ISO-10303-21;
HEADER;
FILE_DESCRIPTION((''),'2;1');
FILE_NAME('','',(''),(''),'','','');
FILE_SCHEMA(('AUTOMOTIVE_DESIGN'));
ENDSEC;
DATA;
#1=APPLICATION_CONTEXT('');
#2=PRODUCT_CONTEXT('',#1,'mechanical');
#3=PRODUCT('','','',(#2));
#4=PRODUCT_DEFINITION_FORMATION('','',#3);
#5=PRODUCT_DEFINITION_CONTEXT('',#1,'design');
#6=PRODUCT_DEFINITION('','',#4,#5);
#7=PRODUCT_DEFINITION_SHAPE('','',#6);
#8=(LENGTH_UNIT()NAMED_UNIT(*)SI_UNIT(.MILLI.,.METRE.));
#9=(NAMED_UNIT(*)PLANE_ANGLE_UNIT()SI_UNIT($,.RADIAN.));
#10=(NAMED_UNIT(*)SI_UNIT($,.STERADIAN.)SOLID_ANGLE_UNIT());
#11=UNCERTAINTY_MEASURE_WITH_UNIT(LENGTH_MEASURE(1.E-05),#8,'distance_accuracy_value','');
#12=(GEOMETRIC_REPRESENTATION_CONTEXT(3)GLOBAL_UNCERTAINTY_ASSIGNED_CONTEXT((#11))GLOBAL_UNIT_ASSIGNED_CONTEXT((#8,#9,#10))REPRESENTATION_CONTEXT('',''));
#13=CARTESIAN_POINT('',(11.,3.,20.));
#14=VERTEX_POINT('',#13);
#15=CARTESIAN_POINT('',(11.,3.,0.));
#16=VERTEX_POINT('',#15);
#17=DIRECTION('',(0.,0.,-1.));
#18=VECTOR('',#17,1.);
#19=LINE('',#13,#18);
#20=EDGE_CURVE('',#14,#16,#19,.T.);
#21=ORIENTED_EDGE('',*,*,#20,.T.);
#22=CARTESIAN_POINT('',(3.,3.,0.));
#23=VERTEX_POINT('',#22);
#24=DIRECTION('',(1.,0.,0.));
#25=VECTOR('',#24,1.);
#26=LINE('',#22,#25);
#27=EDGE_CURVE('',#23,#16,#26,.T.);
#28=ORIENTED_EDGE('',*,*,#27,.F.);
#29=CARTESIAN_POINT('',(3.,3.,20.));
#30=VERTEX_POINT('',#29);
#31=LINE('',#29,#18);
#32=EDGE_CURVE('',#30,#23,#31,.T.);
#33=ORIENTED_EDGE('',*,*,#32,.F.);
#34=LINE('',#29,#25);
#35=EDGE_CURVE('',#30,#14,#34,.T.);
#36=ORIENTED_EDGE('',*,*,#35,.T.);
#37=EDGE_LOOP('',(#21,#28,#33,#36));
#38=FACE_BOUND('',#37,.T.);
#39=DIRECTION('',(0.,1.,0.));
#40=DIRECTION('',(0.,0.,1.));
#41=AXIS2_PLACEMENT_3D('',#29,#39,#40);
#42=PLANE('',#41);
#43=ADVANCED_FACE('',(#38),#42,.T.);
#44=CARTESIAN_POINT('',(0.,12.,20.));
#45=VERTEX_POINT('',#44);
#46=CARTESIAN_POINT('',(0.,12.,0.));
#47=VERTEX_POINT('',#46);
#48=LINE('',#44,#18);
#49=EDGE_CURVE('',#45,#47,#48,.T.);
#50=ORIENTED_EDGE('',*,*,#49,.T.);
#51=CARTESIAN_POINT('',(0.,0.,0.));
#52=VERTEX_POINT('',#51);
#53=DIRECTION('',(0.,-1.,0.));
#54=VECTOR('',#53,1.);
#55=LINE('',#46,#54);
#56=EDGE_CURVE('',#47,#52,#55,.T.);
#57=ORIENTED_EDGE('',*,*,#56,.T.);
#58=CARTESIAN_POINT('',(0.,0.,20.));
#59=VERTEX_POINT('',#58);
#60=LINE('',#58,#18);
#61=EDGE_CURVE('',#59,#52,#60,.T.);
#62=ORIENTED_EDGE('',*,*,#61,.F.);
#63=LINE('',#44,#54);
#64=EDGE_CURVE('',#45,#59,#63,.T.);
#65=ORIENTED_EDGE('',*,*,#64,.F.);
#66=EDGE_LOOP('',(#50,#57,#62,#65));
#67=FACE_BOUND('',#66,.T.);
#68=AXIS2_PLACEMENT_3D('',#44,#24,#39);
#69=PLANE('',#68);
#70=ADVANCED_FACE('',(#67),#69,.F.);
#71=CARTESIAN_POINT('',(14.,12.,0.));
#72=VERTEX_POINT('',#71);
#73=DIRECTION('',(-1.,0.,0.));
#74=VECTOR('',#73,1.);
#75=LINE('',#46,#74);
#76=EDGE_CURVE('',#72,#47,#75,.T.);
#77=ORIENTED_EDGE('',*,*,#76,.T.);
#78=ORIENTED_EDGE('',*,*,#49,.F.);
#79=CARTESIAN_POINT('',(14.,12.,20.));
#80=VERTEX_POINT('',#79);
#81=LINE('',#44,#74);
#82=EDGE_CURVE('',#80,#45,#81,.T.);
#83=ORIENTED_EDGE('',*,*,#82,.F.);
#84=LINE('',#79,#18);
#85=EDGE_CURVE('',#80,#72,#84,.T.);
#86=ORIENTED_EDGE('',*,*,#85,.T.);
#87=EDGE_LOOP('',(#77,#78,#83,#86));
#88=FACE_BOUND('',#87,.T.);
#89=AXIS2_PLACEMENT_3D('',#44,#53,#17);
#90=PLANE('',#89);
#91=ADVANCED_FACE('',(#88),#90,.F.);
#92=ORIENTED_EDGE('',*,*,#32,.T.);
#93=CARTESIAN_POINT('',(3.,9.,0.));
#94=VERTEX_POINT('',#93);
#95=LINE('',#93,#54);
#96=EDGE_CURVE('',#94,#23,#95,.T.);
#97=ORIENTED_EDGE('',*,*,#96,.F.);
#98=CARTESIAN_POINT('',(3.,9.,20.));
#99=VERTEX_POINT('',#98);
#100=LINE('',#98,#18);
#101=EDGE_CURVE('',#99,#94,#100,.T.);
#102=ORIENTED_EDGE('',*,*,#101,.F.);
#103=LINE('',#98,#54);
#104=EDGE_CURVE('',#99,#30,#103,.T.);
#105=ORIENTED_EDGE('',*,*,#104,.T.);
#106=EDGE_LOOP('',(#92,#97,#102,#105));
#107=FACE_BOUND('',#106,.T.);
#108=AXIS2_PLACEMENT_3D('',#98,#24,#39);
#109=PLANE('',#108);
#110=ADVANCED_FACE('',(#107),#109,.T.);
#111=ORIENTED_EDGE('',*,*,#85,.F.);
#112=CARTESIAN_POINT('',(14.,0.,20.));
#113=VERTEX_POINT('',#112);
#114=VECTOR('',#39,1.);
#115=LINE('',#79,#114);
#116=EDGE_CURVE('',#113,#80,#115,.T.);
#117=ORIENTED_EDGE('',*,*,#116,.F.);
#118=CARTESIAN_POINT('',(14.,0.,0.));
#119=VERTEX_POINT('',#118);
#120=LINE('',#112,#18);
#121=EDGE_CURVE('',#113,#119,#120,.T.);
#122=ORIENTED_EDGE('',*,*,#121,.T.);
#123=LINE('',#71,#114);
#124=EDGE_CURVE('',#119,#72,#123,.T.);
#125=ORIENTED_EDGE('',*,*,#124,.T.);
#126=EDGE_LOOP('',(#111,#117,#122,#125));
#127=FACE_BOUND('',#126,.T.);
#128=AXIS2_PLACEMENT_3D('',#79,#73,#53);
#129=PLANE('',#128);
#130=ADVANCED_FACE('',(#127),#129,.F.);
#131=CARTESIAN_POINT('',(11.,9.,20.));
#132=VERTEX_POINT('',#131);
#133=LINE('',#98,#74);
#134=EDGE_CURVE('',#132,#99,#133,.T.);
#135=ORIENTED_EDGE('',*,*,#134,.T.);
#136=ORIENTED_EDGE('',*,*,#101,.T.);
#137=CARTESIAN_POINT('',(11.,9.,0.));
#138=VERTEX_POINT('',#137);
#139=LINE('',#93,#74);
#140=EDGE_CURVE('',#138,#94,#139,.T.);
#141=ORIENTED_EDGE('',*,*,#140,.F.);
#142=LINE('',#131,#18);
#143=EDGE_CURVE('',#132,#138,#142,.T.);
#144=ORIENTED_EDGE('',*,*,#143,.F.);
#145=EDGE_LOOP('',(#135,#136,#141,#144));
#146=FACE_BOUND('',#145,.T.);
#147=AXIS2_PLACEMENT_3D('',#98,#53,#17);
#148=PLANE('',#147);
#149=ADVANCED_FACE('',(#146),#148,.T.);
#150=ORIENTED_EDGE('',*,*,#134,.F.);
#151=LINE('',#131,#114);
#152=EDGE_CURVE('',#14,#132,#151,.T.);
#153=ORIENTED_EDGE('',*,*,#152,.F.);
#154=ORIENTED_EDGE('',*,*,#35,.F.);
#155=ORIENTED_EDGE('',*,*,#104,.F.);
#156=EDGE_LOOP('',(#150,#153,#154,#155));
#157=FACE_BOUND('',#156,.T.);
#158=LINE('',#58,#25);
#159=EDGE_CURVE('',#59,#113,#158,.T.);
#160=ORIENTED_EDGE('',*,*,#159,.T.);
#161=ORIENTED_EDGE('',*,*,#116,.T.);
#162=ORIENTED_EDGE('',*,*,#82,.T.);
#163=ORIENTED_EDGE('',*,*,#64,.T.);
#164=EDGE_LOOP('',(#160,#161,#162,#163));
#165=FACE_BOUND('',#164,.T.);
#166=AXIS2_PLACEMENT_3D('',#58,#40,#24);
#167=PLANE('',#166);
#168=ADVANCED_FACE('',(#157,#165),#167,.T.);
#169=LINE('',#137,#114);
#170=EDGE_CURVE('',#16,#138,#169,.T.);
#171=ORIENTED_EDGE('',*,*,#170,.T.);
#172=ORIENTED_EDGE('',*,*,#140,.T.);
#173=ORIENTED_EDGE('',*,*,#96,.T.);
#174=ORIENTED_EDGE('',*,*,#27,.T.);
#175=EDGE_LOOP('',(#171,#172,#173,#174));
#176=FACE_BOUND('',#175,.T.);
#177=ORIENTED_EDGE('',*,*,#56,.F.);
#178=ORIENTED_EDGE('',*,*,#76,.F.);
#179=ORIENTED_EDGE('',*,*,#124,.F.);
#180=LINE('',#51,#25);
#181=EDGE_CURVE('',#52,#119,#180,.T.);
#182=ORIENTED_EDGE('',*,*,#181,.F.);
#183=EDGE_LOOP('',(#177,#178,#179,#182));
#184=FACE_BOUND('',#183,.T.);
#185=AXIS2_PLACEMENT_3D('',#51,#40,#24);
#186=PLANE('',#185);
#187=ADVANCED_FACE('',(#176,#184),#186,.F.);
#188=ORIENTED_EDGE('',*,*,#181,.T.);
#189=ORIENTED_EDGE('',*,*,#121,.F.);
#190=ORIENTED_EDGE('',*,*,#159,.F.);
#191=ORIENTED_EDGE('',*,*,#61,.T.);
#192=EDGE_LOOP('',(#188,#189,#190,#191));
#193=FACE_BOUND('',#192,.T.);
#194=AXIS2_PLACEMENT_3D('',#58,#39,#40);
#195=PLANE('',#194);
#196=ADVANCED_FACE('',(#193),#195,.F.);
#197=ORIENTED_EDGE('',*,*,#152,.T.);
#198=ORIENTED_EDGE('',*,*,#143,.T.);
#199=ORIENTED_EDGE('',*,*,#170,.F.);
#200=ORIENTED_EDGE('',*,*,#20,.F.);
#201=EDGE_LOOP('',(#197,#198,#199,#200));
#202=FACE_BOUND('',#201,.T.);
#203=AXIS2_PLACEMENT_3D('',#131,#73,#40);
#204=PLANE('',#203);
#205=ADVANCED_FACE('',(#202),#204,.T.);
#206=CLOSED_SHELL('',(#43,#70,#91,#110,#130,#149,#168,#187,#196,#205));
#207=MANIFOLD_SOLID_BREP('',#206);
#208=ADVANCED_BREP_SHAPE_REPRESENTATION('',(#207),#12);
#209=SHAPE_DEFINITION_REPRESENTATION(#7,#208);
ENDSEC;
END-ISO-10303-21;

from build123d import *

# Parameters (mm, degrees)
ESQUISSE1_W        = 14
ESQUISSE1_H        = 12
ESQUISSE1_W_2      = 8
ESQUISSE1_H_2      = 6
BOSS_EXTRU_1_DEPTH = 20


with BuildPart() as part:
    # Esquisse1 → Boss.-Extru.1 (new body)
    with BuildSketch(Plane.XY):
        with Locations((7, 6)):
            Rectangle(ESQUISSE1_W, ESQUISSE1_H)
        with Locations((7, 6)):
            Rectangle(ESQUISSE1_W_2, ESQUISSE1_H_2, mode=Mode.SUBTRACT)
    extrude(amount=BOSS_EXTRU_1_DEPTH)


solid = part.part
